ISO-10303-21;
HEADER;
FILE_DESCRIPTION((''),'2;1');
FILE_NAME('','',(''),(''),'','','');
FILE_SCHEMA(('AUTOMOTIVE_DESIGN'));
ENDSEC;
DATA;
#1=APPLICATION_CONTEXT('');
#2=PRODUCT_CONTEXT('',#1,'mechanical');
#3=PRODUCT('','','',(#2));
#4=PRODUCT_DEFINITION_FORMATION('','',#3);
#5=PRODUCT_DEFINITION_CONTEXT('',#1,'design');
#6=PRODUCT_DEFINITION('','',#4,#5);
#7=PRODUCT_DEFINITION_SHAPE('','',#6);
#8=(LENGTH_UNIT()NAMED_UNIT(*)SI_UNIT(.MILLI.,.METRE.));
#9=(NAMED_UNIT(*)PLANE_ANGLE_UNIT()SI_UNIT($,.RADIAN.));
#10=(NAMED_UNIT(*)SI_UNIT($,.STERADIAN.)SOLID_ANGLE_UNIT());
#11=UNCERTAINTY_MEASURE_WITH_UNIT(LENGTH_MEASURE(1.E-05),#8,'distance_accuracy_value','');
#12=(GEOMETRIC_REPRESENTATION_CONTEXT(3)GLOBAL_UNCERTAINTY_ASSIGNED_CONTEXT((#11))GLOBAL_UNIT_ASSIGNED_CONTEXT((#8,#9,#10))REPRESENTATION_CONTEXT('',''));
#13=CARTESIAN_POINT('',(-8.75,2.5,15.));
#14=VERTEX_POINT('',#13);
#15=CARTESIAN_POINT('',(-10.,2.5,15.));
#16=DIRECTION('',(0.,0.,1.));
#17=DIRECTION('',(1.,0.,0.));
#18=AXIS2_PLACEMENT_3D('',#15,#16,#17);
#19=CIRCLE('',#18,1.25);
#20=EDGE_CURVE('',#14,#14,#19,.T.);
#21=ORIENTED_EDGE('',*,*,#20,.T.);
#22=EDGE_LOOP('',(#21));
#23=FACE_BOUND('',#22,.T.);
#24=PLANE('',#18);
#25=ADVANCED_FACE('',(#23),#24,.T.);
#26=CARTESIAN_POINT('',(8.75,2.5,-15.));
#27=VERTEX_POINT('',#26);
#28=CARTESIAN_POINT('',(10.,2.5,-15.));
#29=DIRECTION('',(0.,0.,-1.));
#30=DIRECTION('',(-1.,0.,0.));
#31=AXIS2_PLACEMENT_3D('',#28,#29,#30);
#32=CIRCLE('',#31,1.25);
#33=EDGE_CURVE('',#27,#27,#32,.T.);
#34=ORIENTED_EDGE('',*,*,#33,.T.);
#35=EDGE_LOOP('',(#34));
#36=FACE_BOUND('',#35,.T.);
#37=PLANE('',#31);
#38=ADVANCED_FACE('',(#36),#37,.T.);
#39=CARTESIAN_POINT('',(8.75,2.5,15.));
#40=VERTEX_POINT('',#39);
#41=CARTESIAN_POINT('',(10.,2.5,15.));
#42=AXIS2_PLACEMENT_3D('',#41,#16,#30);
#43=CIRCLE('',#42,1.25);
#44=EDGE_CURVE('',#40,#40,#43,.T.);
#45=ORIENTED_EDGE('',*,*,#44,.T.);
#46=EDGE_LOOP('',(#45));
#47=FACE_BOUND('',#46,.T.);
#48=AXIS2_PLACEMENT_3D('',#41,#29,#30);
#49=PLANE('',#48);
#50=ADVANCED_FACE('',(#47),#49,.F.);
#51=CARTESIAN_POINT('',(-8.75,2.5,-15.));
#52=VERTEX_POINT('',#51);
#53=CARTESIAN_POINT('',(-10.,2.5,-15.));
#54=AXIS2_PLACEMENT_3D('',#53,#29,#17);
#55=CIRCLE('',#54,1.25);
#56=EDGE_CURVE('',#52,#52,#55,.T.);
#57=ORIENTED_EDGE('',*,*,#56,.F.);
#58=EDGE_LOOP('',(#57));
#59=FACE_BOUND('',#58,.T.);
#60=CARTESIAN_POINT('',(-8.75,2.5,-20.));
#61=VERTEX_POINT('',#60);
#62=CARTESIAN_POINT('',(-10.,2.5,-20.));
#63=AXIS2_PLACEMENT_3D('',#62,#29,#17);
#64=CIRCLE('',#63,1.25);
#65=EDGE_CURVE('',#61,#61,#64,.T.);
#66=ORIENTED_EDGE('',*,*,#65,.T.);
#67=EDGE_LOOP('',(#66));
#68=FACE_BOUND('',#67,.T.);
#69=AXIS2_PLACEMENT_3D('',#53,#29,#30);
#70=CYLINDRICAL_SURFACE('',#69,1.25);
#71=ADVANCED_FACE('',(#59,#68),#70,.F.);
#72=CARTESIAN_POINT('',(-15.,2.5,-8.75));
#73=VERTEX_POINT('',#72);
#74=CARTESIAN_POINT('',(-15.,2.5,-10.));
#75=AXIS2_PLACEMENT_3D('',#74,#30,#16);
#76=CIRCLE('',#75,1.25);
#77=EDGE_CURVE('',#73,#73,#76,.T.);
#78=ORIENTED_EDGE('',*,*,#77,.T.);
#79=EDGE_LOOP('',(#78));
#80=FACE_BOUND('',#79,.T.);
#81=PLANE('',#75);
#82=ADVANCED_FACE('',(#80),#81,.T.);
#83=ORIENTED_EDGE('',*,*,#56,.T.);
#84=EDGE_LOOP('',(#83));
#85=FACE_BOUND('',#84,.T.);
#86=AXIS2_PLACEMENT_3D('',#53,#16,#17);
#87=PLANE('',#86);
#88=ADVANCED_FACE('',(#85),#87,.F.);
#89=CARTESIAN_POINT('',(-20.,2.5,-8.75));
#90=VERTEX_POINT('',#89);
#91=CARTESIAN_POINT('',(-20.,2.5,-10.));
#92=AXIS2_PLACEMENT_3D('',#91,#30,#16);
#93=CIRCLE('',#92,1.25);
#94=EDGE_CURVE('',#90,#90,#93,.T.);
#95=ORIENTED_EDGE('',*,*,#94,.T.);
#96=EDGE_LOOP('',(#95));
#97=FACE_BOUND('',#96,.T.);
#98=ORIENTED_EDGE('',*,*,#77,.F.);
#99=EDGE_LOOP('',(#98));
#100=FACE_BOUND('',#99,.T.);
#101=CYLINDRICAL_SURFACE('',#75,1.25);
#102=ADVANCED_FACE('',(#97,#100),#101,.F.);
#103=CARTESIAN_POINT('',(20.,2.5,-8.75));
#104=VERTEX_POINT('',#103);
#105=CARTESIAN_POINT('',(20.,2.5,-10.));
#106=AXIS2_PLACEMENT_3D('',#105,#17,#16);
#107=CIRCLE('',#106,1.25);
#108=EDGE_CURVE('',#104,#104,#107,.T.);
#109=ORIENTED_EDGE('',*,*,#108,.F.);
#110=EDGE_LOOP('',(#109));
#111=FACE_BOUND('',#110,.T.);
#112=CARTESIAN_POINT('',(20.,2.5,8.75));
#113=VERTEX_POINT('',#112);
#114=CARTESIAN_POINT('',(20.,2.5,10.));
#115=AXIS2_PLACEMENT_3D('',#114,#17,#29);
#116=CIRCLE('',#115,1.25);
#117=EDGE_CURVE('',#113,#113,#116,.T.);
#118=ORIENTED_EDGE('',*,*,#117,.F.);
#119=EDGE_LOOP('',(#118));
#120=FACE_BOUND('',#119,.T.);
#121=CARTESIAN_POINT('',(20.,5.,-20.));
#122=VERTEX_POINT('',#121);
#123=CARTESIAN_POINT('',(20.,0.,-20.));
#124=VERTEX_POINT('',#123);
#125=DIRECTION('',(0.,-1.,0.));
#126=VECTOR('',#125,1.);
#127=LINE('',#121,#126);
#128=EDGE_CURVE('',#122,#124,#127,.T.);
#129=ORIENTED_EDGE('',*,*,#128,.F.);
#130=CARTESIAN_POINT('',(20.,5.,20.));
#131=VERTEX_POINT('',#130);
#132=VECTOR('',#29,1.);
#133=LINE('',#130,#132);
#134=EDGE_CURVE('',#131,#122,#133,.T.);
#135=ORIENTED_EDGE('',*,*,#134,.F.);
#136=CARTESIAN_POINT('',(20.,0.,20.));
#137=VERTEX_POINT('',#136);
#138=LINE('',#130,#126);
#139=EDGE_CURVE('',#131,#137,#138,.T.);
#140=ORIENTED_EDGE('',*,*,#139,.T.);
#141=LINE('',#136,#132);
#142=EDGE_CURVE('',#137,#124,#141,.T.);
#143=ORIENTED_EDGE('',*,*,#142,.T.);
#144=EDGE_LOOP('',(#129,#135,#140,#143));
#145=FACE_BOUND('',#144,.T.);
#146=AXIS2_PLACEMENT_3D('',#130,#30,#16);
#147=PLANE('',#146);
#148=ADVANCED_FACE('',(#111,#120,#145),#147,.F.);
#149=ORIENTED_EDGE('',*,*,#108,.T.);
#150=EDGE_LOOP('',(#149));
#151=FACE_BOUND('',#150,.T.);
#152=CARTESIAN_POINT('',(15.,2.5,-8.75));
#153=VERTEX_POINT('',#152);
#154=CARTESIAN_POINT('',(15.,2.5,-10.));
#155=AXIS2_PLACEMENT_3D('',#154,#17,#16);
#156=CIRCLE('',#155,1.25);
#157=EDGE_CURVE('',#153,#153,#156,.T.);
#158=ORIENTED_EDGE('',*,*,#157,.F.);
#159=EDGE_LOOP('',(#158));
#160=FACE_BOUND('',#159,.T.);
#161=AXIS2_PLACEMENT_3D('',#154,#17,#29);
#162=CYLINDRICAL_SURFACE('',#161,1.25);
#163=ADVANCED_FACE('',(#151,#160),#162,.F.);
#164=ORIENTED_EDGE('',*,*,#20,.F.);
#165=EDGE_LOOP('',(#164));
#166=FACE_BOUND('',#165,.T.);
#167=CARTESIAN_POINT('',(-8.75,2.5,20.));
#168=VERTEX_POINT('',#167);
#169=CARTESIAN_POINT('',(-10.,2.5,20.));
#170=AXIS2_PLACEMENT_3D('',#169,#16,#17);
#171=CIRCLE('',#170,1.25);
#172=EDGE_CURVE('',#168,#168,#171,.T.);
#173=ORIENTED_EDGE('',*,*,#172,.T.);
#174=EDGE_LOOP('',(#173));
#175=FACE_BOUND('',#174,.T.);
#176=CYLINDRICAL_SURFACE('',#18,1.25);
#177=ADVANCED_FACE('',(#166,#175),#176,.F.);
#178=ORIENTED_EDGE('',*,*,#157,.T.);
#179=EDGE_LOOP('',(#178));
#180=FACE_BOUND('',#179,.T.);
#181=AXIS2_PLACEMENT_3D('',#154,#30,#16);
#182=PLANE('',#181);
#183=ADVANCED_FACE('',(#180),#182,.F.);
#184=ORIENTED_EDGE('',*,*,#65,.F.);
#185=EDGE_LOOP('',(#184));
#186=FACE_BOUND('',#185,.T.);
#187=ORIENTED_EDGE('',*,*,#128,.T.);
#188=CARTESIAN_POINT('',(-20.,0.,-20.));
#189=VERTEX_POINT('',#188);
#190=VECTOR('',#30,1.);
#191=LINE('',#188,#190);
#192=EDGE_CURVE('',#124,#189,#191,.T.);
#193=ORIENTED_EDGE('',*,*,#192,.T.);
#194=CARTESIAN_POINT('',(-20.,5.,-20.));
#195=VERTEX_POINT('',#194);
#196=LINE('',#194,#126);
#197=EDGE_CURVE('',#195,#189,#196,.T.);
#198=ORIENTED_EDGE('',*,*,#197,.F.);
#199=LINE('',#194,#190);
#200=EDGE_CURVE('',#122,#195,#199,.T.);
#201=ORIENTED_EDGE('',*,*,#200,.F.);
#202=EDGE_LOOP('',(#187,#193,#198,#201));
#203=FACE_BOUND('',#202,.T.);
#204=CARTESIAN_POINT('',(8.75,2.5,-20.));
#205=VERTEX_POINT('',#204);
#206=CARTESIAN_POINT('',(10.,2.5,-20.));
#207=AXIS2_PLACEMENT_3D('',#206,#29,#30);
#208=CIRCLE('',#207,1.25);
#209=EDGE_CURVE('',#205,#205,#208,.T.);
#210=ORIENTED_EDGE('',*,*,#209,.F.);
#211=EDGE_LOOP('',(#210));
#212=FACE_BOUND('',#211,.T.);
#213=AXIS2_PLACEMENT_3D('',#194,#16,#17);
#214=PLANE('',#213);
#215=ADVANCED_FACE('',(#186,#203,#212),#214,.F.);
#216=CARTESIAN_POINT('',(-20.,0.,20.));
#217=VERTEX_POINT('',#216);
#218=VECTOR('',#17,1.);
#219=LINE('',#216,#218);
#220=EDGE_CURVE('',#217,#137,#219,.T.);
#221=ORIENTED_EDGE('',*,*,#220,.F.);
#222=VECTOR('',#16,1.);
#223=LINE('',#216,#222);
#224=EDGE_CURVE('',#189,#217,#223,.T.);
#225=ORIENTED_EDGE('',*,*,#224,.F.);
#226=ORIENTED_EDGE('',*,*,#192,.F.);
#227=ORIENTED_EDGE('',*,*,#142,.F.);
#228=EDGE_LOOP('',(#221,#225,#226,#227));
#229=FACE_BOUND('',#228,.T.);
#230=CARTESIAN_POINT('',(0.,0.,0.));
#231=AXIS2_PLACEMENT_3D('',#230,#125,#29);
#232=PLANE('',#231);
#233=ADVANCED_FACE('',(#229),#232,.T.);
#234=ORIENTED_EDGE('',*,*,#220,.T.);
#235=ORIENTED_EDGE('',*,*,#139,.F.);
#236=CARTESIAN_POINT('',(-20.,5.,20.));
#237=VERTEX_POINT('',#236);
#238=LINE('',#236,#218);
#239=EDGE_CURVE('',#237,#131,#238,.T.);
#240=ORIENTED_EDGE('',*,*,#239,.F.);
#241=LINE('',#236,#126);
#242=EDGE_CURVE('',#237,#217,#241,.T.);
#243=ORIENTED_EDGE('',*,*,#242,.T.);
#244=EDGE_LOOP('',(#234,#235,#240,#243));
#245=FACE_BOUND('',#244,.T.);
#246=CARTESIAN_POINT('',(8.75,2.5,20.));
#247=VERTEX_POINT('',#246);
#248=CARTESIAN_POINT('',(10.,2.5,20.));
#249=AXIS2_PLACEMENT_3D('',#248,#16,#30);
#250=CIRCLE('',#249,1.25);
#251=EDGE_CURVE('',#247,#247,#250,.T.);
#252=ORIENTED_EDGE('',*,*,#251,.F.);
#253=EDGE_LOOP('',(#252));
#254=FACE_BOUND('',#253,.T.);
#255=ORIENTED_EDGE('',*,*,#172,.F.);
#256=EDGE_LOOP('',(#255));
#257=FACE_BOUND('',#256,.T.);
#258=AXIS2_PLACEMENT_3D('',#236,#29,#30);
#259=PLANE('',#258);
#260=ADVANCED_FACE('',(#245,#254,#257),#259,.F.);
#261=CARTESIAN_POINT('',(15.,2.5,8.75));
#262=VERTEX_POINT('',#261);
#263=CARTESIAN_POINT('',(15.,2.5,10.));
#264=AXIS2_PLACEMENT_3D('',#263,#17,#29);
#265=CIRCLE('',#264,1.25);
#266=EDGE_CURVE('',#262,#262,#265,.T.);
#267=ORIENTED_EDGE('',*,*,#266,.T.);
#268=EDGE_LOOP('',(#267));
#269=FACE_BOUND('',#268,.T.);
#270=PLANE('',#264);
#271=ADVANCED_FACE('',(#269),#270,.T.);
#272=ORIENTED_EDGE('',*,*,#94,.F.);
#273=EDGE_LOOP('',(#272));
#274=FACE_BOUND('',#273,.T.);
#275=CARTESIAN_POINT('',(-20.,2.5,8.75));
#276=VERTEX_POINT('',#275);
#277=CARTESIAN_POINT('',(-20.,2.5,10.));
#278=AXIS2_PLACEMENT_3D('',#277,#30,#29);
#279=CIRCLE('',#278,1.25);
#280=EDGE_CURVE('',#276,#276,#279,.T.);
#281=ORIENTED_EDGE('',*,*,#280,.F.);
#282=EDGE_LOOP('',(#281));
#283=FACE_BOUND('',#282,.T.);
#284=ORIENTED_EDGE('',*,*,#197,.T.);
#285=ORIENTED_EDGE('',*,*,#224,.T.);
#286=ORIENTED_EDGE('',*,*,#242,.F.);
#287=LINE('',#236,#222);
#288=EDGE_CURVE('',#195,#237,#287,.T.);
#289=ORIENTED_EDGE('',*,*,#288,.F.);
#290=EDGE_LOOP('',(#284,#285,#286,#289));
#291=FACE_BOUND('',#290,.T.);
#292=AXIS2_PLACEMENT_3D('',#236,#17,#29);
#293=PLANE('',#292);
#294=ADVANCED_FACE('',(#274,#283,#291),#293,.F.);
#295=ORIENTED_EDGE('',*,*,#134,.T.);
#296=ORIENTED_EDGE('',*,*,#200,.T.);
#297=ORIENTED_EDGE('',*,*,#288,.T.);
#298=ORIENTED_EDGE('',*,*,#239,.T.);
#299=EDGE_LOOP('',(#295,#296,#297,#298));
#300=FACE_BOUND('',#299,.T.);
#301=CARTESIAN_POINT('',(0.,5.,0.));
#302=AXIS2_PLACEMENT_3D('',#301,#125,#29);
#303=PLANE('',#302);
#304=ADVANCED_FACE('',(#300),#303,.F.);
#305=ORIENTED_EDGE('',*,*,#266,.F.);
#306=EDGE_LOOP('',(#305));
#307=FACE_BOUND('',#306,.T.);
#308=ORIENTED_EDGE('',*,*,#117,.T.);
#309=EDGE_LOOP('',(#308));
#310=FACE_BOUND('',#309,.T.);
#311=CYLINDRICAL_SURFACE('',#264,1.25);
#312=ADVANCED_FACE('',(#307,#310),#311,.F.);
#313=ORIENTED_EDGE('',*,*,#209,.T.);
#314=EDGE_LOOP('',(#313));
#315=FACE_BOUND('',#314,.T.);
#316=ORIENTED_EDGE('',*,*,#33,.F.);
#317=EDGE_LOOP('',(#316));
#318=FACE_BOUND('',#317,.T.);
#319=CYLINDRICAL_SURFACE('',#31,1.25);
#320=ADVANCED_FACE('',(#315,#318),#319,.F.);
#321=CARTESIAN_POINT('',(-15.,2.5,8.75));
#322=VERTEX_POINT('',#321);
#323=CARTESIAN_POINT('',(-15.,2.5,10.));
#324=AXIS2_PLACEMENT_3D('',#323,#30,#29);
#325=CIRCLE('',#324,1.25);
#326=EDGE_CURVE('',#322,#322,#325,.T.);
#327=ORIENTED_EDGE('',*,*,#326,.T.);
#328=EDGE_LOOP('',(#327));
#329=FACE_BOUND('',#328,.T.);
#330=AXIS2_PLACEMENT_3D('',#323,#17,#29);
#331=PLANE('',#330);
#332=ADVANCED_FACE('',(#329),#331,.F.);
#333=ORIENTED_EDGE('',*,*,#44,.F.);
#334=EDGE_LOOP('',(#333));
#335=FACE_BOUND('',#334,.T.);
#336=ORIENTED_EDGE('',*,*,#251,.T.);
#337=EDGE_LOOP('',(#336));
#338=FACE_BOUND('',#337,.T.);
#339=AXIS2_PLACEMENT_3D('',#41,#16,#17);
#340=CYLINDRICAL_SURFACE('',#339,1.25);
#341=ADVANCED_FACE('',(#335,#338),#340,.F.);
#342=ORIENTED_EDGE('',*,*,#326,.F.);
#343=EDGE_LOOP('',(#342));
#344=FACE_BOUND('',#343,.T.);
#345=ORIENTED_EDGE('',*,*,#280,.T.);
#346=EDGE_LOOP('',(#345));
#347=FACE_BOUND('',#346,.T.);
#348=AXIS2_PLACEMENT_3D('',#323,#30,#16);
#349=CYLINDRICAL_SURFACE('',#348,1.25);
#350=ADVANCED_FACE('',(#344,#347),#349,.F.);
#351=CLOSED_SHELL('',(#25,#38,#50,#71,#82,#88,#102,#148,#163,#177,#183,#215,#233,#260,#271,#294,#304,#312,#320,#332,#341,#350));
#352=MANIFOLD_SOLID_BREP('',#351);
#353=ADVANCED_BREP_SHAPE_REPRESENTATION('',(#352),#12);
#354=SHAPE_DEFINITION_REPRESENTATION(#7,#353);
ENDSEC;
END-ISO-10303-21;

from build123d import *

# Parameters (mm, degrees)
SKETCH1_W           = 40
SKETCH1_H           = 40
BOSS_EXTRUDE1_DEPTH = 5
SKETCH2_R           = 1.25
CUT_EXTRUDE1_DEPTH  = 5
CIRPATTERN1_COUNT   = 4


with BuildPart() as part:
    # Sketch1 → Boss-Extrude1 (new body)
    with BuildSketch(Plane(origin=(0, 0, 0), x_dir=(1, 0, 0), z_dir=(0, 1, 0))):
        Rectangle(SKETCH1_W, SKETCH1_H)
    extrude(amount=BOSS_EXTRUDE1_DEPTH)

    # Sketch2 → Cut-Extrude1 (cut)
    with BuildSketch(Plane.XY.offset(20)):
        with Locations((-10, 2.5)):
            Circle(SKETCH2_R)
        with Locations(Location((10, 2.5, 0), (0, 0, 180))):
            Circle(SKETCH2_R)
    cut_extrude1 = extrude(amount=-CUT_EXTRUDE1_DEPTH, mode=Mode.SUBTRACT)

    # CirPattern1: Cut-Extrude1 ×4 about axis
    cirpattern1_axis = Axis((0, 0, 0), (0, 1, 0))
    for i in range(1, CIRPATTERN1_COUNT):
        add(cut_extrude1.rotate(cirpattern1_axis, i * 360 / CIRPATTERN1_COUNT), mode=Mode.SUBTRACT)


solid = part.part
